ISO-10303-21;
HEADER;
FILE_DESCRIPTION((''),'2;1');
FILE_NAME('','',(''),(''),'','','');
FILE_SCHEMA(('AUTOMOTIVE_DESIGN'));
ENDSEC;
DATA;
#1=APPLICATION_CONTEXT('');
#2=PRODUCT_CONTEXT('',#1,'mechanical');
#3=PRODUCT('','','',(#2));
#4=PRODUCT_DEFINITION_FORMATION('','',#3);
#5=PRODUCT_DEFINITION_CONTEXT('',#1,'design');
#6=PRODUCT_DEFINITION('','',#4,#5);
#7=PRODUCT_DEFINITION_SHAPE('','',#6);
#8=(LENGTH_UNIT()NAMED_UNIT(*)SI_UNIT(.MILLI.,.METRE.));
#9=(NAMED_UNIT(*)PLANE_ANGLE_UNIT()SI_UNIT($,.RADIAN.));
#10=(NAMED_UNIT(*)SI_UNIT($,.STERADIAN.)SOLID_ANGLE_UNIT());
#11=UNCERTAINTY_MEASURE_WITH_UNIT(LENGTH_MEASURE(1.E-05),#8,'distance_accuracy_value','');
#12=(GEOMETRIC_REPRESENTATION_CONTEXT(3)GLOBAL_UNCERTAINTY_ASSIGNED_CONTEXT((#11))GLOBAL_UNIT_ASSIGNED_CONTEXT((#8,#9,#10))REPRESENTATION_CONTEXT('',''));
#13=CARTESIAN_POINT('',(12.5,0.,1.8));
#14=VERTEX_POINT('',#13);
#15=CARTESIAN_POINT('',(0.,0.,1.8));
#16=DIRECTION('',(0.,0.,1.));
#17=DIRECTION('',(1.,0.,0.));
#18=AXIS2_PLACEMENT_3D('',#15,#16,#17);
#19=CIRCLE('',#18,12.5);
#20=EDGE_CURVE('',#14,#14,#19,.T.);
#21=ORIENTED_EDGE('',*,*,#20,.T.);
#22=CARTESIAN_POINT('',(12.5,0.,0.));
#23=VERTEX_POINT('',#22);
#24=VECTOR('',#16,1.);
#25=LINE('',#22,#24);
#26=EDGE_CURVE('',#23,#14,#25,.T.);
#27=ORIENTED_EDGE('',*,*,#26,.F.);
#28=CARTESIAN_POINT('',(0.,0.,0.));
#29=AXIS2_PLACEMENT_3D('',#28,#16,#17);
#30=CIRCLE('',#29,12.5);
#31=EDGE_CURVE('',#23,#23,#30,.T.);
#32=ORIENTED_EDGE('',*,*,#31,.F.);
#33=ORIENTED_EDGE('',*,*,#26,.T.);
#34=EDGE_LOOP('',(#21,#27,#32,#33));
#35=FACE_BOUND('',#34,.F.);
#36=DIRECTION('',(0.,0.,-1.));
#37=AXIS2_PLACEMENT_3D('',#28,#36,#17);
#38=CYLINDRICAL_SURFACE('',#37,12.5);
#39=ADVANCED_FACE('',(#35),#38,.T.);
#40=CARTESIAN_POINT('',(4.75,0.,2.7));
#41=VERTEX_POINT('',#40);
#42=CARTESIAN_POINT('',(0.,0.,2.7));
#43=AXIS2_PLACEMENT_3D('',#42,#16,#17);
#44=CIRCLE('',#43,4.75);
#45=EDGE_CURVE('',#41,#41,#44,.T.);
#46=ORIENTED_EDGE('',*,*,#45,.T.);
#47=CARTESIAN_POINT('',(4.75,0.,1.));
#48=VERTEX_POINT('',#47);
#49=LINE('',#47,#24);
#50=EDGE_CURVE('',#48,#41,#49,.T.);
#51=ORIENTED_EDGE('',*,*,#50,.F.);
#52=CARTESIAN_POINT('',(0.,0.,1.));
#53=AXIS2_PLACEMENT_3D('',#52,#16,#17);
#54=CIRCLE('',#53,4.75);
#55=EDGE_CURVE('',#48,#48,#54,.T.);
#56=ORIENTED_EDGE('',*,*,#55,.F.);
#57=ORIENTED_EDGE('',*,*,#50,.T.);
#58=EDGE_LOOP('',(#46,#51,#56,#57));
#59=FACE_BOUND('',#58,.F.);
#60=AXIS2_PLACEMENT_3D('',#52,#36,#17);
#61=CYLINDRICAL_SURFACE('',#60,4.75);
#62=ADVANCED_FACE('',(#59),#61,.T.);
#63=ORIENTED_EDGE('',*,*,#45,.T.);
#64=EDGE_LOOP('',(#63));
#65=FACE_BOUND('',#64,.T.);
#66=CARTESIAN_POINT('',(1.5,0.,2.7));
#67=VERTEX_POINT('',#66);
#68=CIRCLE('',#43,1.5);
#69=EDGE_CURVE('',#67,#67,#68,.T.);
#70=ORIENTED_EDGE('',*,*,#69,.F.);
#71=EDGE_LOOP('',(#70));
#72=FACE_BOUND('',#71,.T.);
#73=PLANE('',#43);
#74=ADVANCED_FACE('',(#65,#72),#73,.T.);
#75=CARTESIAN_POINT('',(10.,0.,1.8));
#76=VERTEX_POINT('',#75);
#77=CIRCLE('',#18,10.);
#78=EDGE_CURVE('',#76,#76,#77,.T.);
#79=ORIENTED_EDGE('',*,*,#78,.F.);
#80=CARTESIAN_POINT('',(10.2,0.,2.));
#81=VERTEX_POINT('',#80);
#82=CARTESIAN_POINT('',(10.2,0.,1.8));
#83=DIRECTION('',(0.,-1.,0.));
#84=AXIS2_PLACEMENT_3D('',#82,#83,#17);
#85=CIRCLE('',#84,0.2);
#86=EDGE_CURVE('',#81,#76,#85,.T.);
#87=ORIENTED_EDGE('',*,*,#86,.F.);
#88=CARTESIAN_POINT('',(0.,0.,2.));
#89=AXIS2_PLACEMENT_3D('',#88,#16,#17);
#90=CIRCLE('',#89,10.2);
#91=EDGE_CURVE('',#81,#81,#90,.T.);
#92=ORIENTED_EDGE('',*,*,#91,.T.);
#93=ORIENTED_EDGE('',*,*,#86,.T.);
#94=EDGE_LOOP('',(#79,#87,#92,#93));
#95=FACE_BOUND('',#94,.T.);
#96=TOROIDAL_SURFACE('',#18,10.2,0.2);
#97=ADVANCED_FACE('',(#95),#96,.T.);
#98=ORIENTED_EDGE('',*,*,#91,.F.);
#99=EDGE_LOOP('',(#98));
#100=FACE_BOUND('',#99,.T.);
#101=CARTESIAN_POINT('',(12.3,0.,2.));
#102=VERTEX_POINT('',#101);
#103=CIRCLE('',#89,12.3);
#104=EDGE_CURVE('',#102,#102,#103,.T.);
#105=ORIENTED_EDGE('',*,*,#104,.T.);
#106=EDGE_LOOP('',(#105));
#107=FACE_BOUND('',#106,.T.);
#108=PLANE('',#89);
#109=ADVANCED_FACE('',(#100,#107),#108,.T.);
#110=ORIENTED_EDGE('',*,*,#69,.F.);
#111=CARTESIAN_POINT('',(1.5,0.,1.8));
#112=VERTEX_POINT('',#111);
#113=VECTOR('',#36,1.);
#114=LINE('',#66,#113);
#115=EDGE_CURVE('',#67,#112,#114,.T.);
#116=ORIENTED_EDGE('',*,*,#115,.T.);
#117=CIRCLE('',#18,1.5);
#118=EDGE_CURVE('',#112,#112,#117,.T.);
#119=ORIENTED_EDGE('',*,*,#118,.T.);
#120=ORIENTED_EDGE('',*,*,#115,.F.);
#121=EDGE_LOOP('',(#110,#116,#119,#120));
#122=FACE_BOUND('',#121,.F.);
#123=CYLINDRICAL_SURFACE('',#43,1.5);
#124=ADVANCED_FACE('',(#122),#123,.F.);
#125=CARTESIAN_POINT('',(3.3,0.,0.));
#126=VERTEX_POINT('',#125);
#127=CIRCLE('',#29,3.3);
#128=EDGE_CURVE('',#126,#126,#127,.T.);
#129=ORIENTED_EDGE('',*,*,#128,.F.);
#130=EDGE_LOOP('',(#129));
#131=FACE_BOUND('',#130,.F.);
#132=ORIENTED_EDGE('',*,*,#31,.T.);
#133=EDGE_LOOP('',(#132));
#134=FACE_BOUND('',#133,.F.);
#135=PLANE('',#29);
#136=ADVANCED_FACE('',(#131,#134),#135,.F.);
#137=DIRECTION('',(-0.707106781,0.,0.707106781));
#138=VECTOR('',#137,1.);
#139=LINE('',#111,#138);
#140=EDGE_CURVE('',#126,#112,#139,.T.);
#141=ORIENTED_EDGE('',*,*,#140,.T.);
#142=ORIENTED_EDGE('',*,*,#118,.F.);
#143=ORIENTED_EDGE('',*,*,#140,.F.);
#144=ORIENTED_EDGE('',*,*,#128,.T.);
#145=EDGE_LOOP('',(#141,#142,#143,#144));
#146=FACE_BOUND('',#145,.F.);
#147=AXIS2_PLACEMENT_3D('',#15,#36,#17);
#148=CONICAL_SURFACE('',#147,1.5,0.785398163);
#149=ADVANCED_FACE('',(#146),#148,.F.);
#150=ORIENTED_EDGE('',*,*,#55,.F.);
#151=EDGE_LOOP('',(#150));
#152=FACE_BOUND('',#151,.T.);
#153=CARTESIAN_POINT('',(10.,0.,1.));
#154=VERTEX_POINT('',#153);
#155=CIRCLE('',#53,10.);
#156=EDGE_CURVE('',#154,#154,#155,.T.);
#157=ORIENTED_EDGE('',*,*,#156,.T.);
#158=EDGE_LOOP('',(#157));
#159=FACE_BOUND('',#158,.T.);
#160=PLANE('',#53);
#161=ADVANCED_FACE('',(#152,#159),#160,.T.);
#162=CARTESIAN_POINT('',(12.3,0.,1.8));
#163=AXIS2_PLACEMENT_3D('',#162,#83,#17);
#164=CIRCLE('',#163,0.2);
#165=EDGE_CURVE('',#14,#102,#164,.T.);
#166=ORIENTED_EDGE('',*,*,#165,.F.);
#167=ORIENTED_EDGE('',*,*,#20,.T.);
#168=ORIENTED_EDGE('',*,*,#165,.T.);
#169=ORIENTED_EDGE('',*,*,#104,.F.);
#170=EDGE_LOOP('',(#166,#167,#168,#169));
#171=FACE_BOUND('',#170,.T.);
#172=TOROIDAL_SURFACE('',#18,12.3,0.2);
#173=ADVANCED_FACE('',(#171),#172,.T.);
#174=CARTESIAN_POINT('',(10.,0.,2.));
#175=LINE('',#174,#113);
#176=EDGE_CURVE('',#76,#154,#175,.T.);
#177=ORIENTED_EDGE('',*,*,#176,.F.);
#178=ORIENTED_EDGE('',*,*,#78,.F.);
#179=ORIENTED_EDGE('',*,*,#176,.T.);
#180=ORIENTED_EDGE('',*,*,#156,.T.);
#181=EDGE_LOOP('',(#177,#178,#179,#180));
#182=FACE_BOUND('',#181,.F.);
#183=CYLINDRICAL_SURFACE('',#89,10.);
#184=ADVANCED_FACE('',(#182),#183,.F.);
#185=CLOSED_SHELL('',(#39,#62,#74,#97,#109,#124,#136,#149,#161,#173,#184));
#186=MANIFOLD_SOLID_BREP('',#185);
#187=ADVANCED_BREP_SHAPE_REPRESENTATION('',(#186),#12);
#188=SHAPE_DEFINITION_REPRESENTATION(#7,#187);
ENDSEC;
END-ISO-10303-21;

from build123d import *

# Parameters (mm, degrees)
F0_R     = 12.5
F1_DEPTH = 2
F2_R     = 10
F3_DEPTH = 1
F4_R     = 4.75
F5_DEPTH = 1.7
F6_R     = 1.5
F7_DEPTH = 25
F8_SIZE  = 1.8
F9_R     = 0.2


with BuildPart() as f1:
    # F0 (on Top) → F1 (new body)
    with BuildSketch(Plane.XY):
        Circle(F0_R)
    extrude(amount=F1_DEPTH)

    # F2 (on face) → F3 (cut)
    with BuildSketch(Plane.XY.offset(2)):
        Circle(F2_R)
    extrude(amount=-F3_DEPTH, mode=Mode.SUBTRACT)

    # F4 (on face) → F5 (join)
    with BuildSketch(Plane.XY.offset(1)):
        Circle(F4_R)
    extrude(amount=F5_DEPTH)

    # F6 (on face) → F7 (cut)
    with BuildSketch(Plane.XY.offset(2.7)):
        Circle(F6_R)
    extrude(amount=-F7_DEPTH, mode=Mode.SUBTRACT)

    # F8
    f8_edges = [f1.edges().sort_by_distance(p)[0] for p in [
        (-1.5, 0, 0),
    ]]
    chamfer(f8_edges, length=F8_SIZE)

    # F9
    f9_edges = [f1.edges().sort_by_distance(p)[0] for p in [
        (-12.5, 0, 2),
        (-10, 0, 2),
    ]]
    fillet(f9_edges, radius=F9_R)


solid = f1.part
